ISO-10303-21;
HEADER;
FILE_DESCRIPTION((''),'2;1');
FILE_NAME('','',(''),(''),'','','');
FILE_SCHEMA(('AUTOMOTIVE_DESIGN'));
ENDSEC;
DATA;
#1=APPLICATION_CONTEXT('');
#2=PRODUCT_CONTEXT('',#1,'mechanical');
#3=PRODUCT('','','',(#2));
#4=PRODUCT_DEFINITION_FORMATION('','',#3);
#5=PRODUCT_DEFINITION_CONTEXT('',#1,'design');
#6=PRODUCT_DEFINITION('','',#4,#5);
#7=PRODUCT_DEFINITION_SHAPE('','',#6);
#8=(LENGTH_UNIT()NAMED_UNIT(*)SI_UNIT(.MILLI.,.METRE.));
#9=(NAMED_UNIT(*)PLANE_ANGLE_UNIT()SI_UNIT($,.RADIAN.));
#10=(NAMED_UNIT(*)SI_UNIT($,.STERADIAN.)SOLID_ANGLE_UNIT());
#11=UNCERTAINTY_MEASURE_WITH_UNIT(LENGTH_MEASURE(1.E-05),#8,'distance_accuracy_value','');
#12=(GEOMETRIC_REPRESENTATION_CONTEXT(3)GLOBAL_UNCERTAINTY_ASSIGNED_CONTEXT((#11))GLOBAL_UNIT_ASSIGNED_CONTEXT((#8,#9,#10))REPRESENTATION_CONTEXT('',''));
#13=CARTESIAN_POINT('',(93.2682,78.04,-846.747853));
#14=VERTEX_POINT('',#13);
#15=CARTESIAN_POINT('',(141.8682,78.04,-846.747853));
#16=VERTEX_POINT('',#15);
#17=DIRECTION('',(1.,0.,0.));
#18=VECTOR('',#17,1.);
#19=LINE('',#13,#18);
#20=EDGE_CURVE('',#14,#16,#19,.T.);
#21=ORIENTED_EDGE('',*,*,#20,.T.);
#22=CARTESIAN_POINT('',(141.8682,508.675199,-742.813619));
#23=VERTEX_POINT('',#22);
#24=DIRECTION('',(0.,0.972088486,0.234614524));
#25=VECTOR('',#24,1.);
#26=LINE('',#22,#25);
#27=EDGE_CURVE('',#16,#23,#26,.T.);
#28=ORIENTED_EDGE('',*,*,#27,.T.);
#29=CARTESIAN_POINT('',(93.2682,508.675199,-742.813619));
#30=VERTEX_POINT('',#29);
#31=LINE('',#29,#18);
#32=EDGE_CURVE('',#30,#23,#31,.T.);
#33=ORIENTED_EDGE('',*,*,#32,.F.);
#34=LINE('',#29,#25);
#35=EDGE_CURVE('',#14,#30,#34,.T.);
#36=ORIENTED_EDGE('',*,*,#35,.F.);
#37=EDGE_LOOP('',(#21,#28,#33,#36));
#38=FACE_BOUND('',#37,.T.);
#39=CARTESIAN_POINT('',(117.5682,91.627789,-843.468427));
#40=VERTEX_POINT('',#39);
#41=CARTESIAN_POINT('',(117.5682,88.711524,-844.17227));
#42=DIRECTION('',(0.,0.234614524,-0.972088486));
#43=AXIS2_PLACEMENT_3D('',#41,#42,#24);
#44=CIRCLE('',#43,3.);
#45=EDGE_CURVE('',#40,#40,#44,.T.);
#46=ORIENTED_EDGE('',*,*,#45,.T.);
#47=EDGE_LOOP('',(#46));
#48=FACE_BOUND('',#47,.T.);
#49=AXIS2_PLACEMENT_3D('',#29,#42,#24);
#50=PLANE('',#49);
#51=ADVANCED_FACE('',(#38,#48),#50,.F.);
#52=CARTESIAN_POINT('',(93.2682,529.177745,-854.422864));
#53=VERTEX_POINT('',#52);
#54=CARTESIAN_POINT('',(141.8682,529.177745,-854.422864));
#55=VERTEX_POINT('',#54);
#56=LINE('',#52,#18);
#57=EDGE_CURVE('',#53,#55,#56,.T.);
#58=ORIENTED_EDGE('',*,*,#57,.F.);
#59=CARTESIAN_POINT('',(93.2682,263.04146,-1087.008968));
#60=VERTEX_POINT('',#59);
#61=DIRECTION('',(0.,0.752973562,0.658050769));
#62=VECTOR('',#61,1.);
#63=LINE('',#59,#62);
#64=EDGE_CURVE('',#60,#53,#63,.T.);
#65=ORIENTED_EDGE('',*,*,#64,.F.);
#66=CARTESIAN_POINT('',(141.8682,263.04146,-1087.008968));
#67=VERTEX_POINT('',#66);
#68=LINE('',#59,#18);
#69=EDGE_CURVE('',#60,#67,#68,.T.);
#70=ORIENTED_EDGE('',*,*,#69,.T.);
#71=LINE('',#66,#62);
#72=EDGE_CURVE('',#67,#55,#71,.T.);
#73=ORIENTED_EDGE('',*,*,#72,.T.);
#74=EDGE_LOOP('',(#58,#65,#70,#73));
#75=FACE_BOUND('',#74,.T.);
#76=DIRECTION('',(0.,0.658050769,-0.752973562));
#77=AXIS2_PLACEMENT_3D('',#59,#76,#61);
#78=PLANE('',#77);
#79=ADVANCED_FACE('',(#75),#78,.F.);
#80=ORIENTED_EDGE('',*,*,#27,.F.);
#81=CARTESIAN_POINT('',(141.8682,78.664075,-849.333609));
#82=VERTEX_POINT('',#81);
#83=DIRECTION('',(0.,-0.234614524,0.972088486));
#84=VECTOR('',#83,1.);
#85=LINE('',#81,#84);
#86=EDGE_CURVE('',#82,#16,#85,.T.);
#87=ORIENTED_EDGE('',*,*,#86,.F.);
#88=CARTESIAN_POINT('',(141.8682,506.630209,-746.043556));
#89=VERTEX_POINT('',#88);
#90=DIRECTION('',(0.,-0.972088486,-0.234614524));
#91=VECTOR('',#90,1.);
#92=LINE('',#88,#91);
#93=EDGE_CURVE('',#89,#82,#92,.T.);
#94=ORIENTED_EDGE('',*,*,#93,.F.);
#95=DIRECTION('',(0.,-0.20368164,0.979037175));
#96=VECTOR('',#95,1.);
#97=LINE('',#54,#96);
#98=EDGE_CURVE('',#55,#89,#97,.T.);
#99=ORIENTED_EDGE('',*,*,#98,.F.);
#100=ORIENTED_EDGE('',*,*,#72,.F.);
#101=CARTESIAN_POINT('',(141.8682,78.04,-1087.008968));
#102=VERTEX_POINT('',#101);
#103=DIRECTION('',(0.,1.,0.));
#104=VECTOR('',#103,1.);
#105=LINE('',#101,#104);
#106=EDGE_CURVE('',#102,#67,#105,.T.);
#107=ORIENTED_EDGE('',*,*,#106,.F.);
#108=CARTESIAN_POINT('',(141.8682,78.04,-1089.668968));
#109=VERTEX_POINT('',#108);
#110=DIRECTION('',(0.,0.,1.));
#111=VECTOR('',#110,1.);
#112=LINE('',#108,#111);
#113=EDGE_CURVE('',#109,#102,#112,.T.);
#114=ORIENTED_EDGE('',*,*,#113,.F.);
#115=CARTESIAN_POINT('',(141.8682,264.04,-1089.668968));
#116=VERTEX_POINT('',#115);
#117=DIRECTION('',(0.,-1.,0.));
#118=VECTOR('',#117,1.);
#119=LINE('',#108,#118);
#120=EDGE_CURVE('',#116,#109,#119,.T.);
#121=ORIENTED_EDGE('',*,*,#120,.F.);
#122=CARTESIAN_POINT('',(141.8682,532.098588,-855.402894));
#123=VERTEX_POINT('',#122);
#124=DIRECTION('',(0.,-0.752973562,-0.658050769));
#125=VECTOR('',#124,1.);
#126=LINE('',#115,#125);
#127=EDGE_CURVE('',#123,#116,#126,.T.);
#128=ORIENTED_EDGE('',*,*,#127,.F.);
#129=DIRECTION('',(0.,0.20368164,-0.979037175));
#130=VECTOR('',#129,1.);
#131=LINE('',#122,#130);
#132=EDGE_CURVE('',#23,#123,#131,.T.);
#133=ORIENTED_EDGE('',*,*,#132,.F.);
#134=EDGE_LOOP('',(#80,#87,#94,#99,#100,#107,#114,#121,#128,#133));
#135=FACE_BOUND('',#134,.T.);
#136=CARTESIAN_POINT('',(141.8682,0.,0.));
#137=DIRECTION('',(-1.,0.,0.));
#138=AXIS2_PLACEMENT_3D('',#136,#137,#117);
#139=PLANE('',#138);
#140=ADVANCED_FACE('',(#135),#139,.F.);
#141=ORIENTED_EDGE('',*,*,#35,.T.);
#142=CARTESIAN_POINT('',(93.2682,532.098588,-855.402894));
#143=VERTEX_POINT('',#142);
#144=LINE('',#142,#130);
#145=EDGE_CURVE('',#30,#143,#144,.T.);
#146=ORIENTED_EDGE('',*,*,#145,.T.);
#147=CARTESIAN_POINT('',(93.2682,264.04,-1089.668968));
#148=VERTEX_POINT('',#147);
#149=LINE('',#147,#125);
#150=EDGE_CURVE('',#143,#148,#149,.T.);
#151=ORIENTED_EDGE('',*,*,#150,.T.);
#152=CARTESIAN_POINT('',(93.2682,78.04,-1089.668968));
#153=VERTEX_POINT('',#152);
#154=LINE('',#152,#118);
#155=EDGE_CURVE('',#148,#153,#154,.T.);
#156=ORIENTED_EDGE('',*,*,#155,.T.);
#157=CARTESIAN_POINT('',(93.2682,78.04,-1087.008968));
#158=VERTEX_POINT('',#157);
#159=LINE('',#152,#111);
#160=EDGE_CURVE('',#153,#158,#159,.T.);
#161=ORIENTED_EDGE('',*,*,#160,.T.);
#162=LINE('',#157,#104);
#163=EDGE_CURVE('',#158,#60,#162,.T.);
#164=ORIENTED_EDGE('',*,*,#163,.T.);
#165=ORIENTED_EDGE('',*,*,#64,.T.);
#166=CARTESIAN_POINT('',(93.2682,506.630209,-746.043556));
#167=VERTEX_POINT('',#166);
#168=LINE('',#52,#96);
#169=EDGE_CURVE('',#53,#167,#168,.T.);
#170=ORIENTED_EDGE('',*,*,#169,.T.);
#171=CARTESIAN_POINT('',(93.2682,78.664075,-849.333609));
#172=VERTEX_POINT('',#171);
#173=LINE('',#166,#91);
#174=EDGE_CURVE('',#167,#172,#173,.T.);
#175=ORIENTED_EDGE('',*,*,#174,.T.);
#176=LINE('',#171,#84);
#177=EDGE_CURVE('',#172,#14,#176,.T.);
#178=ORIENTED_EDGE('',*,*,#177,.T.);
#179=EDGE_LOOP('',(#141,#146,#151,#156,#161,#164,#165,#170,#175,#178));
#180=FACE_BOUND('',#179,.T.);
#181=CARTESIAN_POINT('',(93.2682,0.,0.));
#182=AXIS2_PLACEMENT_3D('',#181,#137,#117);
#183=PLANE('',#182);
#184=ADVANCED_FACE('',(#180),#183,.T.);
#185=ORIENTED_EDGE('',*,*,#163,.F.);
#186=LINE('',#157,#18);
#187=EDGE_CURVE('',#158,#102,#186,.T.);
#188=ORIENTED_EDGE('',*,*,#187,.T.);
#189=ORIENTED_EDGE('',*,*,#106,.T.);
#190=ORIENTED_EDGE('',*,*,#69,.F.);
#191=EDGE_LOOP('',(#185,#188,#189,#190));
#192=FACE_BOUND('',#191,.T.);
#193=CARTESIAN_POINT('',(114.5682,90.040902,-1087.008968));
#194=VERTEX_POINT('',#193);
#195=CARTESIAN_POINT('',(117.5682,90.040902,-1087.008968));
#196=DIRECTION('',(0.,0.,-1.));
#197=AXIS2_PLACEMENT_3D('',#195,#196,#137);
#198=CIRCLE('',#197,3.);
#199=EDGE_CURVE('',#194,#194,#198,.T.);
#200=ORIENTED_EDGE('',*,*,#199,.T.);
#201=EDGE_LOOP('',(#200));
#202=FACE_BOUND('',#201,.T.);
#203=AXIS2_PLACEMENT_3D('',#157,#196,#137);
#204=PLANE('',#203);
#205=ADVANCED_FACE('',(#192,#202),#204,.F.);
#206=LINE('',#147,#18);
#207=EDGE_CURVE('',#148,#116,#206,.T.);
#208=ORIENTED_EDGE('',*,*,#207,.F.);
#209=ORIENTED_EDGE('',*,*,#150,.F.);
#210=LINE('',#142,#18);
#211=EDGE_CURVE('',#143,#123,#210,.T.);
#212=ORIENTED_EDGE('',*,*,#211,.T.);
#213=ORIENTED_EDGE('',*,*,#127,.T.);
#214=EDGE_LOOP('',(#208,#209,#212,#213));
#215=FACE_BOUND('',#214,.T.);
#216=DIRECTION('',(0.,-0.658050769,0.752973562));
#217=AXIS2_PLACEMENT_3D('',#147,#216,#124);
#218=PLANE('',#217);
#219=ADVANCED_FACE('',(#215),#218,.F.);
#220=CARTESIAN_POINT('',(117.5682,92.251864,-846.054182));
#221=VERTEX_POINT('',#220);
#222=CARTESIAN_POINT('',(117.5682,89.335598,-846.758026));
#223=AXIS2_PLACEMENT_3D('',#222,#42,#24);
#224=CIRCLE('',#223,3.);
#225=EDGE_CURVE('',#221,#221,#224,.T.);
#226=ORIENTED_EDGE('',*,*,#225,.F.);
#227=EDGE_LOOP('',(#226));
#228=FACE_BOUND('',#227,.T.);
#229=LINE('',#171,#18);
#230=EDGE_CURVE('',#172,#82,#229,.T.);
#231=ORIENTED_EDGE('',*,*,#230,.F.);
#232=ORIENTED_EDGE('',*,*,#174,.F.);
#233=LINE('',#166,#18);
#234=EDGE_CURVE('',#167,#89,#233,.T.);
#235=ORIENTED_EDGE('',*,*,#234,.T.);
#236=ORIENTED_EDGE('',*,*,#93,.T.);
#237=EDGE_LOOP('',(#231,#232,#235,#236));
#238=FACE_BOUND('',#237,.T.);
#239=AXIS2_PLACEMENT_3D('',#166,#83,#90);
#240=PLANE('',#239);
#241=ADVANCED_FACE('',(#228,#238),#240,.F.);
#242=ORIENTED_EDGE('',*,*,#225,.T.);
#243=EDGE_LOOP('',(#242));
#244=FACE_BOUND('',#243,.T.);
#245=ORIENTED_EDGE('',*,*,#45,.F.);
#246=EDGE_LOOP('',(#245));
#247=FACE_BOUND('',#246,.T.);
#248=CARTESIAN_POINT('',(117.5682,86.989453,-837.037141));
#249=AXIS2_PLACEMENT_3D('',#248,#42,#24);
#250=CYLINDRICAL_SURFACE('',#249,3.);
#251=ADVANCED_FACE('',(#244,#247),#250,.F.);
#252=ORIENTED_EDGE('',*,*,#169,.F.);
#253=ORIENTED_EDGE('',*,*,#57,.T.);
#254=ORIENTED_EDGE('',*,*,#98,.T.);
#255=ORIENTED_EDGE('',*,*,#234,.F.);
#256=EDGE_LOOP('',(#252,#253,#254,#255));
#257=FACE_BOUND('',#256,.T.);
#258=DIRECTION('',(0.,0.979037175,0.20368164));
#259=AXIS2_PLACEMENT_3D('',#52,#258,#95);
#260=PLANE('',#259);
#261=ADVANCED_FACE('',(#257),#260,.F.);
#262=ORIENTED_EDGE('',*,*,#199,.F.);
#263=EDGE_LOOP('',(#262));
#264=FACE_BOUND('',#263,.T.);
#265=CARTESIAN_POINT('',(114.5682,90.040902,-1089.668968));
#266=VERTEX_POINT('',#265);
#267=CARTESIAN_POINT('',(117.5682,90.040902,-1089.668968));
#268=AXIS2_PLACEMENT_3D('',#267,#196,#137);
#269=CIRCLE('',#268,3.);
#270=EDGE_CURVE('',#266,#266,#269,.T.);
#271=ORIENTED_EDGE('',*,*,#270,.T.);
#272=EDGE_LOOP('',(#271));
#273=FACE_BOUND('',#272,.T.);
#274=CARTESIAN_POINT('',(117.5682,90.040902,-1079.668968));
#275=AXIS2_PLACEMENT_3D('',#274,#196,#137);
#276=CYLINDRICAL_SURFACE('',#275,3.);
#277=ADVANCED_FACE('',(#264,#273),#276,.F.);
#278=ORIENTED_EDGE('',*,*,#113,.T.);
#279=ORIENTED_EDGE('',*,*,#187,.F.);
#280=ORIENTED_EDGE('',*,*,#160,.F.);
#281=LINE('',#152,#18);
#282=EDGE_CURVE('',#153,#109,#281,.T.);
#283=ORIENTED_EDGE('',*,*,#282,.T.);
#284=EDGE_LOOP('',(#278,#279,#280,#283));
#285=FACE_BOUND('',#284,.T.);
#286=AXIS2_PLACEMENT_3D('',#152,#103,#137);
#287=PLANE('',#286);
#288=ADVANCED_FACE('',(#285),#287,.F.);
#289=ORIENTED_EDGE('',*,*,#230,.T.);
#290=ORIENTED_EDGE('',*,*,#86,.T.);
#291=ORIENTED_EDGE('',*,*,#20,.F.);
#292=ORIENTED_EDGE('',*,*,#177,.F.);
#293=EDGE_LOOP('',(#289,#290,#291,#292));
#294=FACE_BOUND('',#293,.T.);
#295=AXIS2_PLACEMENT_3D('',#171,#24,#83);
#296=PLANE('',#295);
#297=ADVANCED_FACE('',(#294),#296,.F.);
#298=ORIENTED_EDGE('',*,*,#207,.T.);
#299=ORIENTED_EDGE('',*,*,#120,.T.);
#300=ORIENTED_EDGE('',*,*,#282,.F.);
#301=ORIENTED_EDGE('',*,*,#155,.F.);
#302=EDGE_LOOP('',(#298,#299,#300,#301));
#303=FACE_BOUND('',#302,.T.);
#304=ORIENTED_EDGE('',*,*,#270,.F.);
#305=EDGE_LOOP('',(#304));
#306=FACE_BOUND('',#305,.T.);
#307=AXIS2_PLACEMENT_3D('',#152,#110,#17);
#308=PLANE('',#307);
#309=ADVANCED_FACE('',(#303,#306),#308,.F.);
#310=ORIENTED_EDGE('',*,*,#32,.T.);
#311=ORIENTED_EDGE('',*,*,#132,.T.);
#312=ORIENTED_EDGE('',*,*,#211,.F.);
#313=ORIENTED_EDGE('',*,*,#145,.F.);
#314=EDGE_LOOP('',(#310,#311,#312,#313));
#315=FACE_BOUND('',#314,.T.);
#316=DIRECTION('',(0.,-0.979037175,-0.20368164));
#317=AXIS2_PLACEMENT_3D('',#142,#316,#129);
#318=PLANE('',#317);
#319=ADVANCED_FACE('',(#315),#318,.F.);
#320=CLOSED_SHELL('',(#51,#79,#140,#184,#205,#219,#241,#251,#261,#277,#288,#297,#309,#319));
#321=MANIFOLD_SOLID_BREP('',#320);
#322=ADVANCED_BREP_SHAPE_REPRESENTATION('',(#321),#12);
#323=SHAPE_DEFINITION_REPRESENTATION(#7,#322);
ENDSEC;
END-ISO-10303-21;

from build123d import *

# Parameters (mm, degrees)
BOSS_EXTRUDE2_DEPTH = 24.3
SKETCH5_R           = 3
CUT_EXTRUDE1_DEPTH  = 10
SKETCH10_R          = 3
CUT_EXTRUDE2_DEPTH  = 10


with BuildPart() as part:
    # Sketch4 → Boss-Extrude2 (new, symmetric)
    with BuildSketch(Plane.ZY.offset(-117.5682)):
        Polygon((-1089.668968128, 78.04), (-1089.668968128, 264.04), (-855.402894198, 532.098588009), (-742.813619106, 508.675199397), (-846.747853315, 78.04), (-849.333608688, 78.664074634), (-746.043555874, 506.630209448), (-854.422864001, 529.177744724), (-1087.008968128, 263.041459529), (-1087.008968128, 78.04), align=None)
    extrude(amount=BOSS_EXTRUDE2_DEPTH, both=True)

    # Sketch5 → Cut-Extrude1 (cut)
    with BuildSketch(Plane(origin=(0, 0, -1089.668968128), x_dir=(-1, 0, 0), z_dir=(0, 0, -1))):
        with Locations((-117.5682, 90.04090214)):
            Circle(SKETCH5_R)
    extrude(amount=-CUT_EXTRUDE1_DEPTH, mode=Mode.SUBTRACT)

    # Sketch10 → Cut-Extrude2 (cut)
    with BuildSketch(Plane(origin=(0, 198.034168105, -820.523517758), x_dir=(-1, 0, 0), z_dir=(0, 0.23461452417479184, -0.9720884862224406))):
        with Locations(Location((-117.5682, -111.819624777, 0), (0, 0, 90))):
            Circle(SKETCH10_R)
    extrude(amount=-CUT_EXTRUDE2_DEPTH, mode=Mode.SUBTRACT)


solid = part.part
